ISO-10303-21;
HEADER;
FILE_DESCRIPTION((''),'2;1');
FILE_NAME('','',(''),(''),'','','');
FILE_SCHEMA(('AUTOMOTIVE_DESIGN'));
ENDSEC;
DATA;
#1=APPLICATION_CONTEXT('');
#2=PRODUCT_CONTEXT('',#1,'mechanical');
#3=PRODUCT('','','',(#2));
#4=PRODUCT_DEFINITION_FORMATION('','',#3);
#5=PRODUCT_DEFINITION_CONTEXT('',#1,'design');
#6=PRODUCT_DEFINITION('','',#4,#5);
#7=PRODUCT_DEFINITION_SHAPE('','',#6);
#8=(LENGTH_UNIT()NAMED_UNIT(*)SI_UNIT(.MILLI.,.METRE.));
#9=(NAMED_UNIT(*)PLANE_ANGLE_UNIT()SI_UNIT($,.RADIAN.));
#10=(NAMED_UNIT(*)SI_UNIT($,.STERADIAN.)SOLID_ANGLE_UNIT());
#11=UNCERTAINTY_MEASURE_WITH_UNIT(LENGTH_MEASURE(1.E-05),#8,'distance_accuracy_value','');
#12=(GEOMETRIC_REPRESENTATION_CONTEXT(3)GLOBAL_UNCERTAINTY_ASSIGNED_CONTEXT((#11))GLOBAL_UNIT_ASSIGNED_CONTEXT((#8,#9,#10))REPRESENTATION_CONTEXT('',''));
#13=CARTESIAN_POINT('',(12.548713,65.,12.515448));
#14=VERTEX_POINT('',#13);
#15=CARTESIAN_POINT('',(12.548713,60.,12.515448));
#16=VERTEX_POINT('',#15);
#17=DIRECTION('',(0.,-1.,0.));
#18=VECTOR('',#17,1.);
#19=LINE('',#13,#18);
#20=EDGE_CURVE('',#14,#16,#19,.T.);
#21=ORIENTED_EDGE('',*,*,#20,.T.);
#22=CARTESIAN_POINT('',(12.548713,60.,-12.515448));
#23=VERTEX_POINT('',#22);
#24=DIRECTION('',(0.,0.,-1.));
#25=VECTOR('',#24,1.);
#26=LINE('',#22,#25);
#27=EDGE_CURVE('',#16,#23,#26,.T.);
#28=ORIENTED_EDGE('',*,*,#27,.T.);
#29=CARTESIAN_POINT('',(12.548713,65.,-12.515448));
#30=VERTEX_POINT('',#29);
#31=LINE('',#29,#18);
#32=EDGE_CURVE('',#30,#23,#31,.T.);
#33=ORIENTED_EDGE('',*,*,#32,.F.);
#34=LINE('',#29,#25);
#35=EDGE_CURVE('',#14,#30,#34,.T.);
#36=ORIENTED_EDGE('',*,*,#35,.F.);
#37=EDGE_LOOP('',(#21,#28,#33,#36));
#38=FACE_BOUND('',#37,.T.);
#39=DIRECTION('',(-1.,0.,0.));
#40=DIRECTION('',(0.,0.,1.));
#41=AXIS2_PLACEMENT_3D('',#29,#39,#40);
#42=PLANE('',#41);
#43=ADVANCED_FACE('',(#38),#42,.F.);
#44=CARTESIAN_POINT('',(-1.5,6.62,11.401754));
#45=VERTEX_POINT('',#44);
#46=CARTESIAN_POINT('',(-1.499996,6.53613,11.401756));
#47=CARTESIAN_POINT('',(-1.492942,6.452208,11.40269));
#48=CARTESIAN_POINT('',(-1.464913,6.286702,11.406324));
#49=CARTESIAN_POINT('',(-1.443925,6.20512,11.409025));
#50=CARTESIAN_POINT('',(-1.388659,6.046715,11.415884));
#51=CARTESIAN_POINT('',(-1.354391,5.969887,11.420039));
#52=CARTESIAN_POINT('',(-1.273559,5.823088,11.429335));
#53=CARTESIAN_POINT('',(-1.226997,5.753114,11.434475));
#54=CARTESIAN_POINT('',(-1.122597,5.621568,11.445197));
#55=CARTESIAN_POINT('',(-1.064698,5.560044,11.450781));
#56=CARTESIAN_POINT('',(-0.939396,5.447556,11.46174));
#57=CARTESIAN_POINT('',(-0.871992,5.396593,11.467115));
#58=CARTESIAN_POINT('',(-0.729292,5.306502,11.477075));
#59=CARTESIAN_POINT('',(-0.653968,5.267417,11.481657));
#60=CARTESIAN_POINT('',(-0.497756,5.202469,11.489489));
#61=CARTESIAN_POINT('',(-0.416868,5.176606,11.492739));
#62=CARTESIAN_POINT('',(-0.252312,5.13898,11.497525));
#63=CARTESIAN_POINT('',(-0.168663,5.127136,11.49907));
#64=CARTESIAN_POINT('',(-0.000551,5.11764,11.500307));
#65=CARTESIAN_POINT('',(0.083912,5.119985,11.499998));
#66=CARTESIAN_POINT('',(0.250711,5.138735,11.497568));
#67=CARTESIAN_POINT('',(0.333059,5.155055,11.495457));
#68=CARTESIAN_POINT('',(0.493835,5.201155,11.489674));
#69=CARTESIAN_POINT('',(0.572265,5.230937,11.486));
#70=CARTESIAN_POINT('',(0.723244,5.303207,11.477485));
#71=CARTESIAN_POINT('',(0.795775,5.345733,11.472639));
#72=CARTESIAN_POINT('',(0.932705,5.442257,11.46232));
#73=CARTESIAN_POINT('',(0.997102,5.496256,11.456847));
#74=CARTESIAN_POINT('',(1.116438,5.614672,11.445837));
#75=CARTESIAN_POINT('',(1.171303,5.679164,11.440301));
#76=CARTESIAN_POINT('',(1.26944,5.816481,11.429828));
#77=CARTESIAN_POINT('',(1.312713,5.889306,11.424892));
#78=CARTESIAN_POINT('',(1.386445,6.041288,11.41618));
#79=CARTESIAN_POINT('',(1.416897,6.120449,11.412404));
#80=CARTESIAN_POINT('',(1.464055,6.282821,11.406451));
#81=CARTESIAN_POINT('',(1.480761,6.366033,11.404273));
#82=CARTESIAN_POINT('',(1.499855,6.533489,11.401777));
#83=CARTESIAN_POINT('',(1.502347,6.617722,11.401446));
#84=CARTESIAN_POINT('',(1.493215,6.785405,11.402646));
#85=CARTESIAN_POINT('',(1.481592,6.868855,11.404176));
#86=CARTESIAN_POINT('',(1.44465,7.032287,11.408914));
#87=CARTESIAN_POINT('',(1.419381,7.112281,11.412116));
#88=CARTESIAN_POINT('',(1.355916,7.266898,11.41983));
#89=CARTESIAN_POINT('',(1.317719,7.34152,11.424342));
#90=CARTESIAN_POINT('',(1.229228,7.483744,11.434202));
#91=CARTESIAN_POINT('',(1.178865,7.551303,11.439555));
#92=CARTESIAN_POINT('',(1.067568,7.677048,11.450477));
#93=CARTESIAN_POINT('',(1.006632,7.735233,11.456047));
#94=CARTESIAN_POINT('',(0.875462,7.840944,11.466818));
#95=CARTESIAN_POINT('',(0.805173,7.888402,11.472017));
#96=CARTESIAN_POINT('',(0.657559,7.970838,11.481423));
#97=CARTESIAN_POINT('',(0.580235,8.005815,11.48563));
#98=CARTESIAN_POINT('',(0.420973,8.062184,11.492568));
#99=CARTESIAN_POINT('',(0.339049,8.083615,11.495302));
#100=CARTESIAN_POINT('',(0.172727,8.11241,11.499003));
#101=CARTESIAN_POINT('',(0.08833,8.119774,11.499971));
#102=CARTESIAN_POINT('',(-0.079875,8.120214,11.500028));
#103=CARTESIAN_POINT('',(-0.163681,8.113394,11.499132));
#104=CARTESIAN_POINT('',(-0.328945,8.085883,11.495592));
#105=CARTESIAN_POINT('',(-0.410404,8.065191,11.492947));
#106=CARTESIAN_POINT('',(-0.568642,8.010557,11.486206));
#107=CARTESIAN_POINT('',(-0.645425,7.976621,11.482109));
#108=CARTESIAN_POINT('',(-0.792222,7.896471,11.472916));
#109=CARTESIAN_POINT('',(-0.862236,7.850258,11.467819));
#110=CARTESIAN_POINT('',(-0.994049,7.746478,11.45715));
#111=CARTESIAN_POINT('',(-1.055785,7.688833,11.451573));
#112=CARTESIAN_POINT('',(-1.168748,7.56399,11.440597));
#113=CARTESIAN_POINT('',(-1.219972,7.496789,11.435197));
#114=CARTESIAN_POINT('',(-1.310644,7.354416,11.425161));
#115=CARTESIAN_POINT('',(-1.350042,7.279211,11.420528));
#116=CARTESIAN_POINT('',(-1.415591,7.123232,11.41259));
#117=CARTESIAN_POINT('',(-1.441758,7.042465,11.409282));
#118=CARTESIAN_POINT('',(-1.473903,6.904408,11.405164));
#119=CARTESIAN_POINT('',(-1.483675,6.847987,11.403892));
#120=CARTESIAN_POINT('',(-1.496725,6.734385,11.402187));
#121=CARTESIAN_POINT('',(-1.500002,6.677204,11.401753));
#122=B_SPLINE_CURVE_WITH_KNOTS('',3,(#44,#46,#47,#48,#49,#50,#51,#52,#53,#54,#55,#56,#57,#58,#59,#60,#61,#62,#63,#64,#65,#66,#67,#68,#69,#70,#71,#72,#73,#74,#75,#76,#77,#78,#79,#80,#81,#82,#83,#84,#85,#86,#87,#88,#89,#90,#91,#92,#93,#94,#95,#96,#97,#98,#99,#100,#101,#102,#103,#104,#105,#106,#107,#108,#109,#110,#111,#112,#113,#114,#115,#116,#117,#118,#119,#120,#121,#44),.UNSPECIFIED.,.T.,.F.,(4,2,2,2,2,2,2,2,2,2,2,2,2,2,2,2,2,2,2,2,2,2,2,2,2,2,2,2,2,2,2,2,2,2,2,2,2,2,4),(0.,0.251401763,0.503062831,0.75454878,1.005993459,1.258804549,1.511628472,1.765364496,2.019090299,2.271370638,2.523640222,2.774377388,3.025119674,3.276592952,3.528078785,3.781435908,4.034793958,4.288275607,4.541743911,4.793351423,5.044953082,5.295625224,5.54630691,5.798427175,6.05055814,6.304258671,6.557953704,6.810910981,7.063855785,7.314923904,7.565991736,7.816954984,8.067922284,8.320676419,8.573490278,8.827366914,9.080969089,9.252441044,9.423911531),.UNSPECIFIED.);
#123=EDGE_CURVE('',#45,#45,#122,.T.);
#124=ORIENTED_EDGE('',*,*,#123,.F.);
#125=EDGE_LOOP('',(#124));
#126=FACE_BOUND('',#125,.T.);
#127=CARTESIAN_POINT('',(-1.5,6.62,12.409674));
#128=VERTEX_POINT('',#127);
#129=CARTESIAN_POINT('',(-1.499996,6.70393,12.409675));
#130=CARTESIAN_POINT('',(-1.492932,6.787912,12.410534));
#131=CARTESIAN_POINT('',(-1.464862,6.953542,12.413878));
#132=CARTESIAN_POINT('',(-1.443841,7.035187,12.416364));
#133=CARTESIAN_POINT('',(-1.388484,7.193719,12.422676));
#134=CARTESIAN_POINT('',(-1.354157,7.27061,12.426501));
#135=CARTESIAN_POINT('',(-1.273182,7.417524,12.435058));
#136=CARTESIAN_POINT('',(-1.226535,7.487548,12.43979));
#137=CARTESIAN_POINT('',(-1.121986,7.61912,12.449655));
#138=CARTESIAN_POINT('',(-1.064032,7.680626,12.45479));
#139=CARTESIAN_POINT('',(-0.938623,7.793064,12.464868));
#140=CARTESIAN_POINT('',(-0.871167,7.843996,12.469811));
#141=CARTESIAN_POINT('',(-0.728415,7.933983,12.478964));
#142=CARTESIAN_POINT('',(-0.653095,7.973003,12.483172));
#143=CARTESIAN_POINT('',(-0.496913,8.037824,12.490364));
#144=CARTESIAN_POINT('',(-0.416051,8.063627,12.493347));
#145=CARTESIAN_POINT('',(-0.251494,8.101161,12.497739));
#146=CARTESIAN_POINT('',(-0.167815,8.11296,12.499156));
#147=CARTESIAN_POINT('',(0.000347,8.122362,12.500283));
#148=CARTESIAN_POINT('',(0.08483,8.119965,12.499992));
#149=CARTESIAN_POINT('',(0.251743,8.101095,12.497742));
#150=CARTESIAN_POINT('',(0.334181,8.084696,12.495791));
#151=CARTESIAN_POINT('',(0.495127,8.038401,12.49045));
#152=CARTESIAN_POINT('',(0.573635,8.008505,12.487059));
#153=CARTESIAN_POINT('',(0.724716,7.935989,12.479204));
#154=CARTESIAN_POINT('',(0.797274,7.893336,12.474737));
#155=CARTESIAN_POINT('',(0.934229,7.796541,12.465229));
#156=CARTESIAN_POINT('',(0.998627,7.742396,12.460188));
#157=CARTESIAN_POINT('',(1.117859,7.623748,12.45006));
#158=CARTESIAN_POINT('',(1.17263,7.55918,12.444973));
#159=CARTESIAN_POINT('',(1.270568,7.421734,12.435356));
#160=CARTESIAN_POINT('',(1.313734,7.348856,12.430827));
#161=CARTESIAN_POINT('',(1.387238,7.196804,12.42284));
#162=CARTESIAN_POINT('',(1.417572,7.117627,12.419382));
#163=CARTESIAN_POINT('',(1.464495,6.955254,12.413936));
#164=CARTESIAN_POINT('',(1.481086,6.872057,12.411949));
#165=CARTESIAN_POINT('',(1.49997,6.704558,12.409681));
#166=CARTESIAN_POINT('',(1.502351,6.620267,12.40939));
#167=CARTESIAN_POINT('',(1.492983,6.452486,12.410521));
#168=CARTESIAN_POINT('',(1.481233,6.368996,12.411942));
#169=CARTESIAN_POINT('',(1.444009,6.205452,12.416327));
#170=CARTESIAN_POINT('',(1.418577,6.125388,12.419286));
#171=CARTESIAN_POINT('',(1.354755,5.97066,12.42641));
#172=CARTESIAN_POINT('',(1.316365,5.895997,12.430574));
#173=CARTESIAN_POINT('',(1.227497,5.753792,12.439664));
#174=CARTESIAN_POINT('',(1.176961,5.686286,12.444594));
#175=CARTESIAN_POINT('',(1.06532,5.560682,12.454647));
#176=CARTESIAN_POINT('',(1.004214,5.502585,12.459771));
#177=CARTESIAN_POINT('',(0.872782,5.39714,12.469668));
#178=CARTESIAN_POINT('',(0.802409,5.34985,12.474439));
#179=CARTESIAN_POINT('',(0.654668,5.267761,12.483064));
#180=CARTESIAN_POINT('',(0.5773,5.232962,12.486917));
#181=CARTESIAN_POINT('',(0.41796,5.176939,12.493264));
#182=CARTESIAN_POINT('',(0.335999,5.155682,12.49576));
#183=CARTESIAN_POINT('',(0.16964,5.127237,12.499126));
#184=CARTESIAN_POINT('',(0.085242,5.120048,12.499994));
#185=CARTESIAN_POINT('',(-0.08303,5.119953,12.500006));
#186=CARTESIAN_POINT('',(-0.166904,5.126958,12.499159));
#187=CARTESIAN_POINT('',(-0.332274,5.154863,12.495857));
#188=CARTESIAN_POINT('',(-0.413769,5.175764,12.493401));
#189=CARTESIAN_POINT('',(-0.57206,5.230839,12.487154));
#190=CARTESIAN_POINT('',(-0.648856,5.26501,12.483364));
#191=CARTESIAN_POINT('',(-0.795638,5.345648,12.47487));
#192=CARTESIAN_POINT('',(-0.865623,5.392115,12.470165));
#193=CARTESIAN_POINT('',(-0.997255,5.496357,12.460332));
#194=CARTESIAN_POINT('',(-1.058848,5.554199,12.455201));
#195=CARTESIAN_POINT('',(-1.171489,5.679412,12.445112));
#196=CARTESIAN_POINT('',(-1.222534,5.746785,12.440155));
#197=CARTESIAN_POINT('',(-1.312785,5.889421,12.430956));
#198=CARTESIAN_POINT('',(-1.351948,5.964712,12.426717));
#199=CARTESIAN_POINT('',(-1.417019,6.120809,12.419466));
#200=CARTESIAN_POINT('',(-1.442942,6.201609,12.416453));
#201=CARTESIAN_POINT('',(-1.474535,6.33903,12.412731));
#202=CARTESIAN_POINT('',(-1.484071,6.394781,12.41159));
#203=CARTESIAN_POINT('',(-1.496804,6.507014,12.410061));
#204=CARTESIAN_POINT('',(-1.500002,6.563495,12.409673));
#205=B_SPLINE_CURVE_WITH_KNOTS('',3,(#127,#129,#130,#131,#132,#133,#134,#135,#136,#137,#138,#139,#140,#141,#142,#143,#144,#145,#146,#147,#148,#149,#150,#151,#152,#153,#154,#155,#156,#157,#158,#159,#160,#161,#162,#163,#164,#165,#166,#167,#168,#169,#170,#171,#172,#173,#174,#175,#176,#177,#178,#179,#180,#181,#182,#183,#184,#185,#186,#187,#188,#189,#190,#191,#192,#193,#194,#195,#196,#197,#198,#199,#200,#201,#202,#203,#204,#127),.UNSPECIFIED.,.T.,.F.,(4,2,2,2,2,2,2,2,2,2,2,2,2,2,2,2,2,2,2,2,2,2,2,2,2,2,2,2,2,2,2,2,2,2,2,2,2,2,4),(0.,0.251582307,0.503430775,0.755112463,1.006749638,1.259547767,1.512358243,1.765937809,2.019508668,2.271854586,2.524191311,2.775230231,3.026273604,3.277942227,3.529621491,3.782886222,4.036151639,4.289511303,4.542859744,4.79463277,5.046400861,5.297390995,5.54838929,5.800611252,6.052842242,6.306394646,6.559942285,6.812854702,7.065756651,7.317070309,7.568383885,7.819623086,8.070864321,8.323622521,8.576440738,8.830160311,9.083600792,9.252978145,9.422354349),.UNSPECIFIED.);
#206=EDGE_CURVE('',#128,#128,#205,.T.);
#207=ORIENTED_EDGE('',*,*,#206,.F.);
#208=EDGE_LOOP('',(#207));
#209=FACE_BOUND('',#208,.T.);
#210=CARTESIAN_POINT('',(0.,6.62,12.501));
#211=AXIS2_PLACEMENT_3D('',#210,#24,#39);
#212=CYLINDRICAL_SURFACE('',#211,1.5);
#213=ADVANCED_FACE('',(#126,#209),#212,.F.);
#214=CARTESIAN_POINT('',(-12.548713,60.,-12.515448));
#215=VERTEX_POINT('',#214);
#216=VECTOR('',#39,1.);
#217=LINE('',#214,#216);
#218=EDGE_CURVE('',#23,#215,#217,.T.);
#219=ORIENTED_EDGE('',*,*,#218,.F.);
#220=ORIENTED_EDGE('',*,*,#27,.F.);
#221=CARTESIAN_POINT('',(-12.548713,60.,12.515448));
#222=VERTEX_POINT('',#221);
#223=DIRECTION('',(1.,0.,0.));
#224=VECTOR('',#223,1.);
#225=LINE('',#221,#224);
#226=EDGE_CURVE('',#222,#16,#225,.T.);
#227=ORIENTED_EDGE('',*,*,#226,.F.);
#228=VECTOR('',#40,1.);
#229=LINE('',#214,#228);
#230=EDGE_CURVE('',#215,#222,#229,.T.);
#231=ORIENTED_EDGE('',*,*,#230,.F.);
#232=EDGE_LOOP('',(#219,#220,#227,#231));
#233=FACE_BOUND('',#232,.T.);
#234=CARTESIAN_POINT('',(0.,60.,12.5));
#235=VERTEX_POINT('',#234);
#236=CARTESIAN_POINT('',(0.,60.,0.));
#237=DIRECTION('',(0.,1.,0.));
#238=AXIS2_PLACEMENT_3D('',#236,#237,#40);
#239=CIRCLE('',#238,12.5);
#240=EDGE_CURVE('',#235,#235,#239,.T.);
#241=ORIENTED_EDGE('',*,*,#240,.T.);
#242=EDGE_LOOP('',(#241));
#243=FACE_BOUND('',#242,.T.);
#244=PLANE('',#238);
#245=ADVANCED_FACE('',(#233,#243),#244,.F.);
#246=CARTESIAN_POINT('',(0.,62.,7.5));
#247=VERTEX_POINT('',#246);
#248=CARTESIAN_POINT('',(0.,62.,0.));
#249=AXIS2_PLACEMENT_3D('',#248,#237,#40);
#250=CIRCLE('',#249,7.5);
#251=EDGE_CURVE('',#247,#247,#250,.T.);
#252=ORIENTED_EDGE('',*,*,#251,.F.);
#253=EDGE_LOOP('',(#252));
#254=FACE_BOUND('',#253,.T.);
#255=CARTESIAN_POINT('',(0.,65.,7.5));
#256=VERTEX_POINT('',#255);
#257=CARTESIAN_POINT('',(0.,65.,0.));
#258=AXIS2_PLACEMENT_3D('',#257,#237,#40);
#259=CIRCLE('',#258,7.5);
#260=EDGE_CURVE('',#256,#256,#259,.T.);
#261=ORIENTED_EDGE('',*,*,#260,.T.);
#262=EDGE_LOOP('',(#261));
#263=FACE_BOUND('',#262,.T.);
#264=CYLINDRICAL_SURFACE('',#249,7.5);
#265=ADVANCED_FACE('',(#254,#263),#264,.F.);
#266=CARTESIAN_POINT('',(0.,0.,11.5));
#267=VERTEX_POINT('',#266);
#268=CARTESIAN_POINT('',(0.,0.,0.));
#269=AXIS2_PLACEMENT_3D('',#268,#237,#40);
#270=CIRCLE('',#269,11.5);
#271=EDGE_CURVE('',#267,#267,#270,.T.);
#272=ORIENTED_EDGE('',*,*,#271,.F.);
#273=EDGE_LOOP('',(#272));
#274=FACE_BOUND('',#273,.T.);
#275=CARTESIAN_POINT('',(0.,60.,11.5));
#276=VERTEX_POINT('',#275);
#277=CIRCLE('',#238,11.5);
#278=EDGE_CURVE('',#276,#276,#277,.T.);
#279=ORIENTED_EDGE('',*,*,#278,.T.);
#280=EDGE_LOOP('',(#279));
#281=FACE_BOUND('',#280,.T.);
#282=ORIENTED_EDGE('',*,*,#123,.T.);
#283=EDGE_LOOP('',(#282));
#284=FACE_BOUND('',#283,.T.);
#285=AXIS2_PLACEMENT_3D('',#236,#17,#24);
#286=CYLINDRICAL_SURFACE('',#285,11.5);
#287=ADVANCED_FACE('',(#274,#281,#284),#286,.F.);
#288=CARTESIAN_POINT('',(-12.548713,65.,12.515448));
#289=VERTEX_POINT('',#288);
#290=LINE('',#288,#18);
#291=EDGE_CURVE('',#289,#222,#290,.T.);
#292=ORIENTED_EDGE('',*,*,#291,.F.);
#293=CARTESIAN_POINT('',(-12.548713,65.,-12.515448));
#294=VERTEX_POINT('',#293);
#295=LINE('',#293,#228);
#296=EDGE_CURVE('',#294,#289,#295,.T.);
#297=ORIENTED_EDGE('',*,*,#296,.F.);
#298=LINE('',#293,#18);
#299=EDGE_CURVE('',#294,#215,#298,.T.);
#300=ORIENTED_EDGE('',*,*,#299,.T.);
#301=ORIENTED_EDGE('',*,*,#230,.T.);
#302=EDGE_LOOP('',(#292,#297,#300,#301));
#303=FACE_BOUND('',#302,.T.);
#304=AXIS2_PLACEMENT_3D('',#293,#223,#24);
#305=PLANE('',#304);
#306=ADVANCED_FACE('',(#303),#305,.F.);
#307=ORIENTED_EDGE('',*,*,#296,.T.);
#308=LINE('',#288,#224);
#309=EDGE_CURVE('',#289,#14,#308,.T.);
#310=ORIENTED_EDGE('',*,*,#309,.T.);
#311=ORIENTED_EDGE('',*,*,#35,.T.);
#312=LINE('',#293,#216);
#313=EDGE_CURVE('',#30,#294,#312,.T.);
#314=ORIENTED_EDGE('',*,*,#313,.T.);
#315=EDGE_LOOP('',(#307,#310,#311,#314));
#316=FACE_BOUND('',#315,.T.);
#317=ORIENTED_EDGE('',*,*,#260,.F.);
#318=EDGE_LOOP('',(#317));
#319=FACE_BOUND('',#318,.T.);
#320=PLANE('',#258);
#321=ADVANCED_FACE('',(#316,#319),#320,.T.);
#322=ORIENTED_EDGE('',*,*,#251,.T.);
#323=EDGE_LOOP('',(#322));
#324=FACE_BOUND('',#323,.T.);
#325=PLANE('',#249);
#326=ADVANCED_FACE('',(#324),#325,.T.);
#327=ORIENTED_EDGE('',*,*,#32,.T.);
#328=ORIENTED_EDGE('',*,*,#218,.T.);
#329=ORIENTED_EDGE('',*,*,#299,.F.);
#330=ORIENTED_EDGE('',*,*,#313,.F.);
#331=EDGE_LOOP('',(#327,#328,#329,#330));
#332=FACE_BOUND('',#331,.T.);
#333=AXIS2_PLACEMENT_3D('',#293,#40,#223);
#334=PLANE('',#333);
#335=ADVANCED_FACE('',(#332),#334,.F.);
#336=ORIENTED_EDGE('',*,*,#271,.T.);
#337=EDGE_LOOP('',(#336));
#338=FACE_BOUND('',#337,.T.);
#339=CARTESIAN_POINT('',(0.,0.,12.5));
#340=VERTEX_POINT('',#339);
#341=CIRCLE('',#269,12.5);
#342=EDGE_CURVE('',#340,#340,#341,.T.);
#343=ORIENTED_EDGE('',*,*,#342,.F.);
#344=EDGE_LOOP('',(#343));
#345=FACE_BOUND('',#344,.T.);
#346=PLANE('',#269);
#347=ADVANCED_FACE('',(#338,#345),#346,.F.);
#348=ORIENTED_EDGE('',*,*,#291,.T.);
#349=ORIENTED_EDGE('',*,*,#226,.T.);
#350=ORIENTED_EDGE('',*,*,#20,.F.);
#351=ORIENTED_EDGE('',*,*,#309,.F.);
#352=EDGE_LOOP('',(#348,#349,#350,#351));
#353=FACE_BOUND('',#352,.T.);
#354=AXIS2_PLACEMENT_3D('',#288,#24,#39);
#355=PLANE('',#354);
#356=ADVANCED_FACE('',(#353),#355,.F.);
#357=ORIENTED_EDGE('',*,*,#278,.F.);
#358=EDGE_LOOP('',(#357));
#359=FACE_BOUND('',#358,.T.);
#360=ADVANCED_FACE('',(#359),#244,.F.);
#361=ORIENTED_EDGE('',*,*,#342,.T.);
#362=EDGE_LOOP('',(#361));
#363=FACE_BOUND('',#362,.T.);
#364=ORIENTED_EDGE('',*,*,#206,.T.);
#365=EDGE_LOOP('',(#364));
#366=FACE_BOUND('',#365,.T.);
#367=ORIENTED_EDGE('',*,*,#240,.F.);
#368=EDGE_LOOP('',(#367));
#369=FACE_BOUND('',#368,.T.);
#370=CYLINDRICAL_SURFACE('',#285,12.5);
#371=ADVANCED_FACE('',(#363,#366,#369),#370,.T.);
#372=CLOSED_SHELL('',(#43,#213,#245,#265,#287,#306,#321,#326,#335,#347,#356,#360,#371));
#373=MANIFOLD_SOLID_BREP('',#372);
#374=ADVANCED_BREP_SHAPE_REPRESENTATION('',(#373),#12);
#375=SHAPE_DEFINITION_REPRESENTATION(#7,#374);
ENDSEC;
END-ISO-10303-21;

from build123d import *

# Parameters (mm, degrees)
SKETCH1_R           = 12.5
SKETCH1_R_2         = 11.5
BOSS_EXTRUDE1_DEPTH = 60
CUT_EXTRUDE1_REACH  = 14.5
SKETCH2_R           = 1.5
SKETCH3_W           = 25.097425704
SKETCH3_H           = 25.030895612
BOSS_EXTRUDE2_DEPTH = 5
SKETCH4_R           = 7.5
CUT_EXTRUDE2_DEPTH  = 3


with BuildPart() as part:
    # Sketch1 → Boss-Extrude1 (new body)
    with BuildSketch(Plane(origin=(0, 0, 0), x_dir=(1, 0, 0), z_dir=(0, 1, 0))):
        Circle(SKETCH1_R)
        Circle(SKETCH1_R_2, mode=Mode.SUBTRACT)
    extrude(amount=BOSS_EXTRUDE1_DEPTH)

    # Sketch2 → Cut-Extrude1 (cut, up to next)
    with BuildSketch(Plane.XY, mode=Mode.PRIVATE) as cut_extrude1_sk1:
        with Locations((0, 6.62)):
            Circle(SKETCH2_R)
    cut_extrude1_tool1 = extrude(cut_extrude1_sk1.sketch, amount=CUT_EXTRUDE1_REACH, mode=Mode.PRIVATE) & part.part
    add(cut_extrude1_tool1.solids().sort_by_distance((0, 6.62, 0))[0], mode=Mode.SUBTRACT)

    # Sketch3 → Boss-Extrude2 (add)
    with BuildSketch(Plane(origin=(0, 60, 0), x_dir=(1, 0, 0), z_dir=(0, 1, 0))):
        Rectangle(SKETCH3_W, SKETCH3_H)
    extrude(amount=BOSS_EXTRUDE2_DEPTH)

    # Sketch4 → Cut-Extrude2 (cut)
    with BuildSketch(Plane(origin=(0, 65, 0), x_dir=(1, 0, 0), z_dir=(0, 1, 0))):
        Circle(SKETCH4_R)
    extrude(amount=-CUT_EXTRUDE2_DEPTH, mode=Mode.SUBTRACT)


solid = part.part
